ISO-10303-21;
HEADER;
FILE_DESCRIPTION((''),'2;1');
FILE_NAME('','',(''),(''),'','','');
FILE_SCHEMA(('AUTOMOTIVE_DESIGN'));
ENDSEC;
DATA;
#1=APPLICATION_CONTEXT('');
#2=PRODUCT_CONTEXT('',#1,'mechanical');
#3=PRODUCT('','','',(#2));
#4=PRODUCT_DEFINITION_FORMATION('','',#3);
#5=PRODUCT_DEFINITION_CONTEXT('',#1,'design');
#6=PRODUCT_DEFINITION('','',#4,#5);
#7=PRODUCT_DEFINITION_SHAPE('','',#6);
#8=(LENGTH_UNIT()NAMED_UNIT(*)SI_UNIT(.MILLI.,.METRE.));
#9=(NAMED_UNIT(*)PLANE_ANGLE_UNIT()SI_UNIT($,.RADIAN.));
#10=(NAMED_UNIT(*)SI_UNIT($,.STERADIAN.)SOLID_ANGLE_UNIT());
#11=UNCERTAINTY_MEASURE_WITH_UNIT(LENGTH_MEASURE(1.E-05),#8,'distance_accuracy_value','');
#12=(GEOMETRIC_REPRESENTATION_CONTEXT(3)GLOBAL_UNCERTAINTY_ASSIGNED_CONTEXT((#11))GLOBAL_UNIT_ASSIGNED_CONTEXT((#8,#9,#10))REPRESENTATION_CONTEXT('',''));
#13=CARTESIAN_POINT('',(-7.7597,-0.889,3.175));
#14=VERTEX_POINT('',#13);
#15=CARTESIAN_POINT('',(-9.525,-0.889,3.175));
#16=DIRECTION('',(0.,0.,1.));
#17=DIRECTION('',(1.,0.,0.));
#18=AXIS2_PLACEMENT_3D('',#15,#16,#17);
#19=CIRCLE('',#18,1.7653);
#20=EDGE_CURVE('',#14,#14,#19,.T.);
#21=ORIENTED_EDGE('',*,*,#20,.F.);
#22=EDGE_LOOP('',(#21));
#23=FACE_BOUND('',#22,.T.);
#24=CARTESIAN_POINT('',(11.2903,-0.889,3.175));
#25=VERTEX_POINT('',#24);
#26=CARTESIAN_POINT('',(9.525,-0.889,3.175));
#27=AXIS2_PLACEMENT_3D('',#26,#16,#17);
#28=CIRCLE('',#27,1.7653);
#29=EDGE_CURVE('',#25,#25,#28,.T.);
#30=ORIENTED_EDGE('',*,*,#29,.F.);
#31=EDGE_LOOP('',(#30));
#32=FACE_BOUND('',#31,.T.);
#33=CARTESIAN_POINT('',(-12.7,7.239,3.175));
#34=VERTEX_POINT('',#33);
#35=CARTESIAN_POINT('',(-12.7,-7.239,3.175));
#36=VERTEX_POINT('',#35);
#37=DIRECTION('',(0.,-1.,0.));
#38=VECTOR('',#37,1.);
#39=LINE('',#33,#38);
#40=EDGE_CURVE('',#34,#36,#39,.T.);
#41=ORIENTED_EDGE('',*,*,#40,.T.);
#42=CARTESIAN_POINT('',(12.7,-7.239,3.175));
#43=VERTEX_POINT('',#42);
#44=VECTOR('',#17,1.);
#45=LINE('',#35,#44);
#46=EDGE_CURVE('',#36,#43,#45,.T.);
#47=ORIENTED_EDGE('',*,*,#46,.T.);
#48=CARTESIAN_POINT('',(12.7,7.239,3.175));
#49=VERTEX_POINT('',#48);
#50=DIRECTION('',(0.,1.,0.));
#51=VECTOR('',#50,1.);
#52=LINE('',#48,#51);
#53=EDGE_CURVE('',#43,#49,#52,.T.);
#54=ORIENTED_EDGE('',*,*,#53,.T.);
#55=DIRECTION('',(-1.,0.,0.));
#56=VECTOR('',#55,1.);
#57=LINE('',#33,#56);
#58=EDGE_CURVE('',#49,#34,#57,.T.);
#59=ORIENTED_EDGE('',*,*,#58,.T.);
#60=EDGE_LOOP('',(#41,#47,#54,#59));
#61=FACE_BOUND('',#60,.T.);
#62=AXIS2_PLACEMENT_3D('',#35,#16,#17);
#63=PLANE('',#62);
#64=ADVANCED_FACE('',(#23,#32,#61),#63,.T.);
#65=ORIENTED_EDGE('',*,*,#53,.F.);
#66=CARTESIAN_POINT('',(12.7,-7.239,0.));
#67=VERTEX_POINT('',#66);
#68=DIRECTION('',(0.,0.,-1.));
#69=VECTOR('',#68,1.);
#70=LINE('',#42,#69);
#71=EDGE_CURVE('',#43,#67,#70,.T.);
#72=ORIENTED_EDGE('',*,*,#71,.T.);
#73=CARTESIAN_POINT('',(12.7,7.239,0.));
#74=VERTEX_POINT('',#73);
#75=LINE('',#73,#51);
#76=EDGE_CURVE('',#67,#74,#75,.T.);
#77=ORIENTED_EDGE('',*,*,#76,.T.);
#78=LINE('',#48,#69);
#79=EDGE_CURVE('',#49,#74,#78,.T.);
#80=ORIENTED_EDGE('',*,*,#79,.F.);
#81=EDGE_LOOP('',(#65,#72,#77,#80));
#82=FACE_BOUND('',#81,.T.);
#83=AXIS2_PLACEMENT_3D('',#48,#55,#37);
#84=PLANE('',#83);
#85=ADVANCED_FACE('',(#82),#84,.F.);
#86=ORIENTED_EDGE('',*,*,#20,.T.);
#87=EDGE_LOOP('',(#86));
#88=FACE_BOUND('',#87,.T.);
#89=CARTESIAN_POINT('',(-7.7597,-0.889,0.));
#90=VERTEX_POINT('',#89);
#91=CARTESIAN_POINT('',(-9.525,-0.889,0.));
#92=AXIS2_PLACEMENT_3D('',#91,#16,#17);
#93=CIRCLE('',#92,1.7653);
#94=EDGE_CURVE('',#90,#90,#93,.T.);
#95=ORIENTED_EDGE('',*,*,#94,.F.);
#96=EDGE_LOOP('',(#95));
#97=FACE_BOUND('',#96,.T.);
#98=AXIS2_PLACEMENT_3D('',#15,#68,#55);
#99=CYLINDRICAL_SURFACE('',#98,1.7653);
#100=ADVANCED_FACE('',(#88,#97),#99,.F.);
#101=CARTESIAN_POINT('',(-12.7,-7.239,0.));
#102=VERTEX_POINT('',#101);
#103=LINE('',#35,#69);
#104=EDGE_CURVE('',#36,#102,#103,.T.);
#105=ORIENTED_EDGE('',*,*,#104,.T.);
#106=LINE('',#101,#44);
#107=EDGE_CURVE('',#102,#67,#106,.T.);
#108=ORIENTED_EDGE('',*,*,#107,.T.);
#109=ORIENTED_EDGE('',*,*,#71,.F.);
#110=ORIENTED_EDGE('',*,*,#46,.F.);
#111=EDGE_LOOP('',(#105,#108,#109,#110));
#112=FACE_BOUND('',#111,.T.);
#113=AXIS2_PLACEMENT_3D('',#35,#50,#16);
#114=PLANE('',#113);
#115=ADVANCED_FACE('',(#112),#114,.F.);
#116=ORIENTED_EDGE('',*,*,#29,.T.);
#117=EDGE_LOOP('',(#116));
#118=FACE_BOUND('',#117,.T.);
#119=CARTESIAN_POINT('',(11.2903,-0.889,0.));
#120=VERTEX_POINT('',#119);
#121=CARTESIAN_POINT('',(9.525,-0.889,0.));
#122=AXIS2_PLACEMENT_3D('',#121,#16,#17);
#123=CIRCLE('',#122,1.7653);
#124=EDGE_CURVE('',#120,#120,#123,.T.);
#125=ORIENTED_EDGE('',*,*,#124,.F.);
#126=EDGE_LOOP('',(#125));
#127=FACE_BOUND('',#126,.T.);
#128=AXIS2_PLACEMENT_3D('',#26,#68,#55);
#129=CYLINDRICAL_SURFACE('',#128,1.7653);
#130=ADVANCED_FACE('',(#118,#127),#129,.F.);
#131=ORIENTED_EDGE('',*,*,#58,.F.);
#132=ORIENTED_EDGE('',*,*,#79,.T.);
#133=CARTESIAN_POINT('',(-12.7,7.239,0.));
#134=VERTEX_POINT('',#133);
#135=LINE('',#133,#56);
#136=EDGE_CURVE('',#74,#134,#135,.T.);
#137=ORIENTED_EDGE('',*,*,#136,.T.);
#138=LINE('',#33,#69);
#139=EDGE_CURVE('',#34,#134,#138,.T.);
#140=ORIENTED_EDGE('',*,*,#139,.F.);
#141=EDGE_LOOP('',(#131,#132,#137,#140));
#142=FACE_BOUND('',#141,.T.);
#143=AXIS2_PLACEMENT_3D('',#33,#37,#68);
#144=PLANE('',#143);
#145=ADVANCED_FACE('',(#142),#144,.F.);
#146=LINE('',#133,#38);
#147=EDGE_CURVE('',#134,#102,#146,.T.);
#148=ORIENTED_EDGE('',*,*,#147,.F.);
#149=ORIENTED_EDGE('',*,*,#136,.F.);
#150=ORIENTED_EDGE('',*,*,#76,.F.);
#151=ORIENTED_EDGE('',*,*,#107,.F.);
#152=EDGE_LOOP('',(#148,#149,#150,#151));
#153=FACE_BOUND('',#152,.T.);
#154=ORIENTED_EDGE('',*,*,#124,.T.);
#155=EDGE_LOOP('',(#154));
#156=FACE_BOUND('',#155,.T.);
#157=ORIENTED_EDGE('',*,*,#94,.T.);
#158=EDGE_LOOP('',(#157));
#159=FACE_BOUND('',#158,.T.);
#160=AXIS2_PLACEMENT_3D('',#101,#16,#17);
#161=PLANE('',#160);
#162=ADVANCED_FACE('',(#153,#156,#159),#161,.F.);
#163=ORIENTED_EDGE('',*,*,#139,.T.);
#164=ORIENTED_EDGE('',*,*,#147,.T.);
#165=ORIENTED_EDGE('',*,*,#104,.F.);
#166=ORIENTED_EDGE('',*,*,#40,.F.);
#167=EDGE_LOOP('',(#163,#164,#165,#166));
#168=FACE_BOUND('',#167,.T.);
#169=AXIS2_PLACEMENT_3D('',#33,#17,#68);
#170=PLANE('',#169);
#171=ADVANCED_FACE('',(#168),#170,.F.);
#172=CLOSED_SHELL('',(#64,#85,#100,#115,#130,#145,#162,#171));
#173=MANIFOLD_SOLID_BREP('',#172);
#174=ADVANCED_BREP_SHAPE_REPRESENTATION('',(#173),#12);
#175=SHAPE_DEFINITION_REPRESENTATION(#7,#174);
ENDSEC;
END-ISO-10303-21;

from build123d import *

# Parameters (mm, degrees)
SKETCH1_W      = 25.4
SKETCH1_H      = 14.478
SKETCH1_R      = 1.7653
EXTRUDE1_DEPTH = 3.175


with BuildPart() as part:
    # Sketch1 → Extrude1 (new body)
    with BuildSketch(Plane.XY):
        Rectangle(SKETCH1_W, SKETCH1_H)
        with Locations((-9.525, -0.889)):
            Circle(SKETCH1_R, mode=Mode.SUBTRACT)
        with Locations((9.525, -0.889)):
            Circle(SKETCH1_R, mode=Mode.SUBTRACT)
    extrude(amount=EXTRUDE1_DEPTH)


solid = part.part
